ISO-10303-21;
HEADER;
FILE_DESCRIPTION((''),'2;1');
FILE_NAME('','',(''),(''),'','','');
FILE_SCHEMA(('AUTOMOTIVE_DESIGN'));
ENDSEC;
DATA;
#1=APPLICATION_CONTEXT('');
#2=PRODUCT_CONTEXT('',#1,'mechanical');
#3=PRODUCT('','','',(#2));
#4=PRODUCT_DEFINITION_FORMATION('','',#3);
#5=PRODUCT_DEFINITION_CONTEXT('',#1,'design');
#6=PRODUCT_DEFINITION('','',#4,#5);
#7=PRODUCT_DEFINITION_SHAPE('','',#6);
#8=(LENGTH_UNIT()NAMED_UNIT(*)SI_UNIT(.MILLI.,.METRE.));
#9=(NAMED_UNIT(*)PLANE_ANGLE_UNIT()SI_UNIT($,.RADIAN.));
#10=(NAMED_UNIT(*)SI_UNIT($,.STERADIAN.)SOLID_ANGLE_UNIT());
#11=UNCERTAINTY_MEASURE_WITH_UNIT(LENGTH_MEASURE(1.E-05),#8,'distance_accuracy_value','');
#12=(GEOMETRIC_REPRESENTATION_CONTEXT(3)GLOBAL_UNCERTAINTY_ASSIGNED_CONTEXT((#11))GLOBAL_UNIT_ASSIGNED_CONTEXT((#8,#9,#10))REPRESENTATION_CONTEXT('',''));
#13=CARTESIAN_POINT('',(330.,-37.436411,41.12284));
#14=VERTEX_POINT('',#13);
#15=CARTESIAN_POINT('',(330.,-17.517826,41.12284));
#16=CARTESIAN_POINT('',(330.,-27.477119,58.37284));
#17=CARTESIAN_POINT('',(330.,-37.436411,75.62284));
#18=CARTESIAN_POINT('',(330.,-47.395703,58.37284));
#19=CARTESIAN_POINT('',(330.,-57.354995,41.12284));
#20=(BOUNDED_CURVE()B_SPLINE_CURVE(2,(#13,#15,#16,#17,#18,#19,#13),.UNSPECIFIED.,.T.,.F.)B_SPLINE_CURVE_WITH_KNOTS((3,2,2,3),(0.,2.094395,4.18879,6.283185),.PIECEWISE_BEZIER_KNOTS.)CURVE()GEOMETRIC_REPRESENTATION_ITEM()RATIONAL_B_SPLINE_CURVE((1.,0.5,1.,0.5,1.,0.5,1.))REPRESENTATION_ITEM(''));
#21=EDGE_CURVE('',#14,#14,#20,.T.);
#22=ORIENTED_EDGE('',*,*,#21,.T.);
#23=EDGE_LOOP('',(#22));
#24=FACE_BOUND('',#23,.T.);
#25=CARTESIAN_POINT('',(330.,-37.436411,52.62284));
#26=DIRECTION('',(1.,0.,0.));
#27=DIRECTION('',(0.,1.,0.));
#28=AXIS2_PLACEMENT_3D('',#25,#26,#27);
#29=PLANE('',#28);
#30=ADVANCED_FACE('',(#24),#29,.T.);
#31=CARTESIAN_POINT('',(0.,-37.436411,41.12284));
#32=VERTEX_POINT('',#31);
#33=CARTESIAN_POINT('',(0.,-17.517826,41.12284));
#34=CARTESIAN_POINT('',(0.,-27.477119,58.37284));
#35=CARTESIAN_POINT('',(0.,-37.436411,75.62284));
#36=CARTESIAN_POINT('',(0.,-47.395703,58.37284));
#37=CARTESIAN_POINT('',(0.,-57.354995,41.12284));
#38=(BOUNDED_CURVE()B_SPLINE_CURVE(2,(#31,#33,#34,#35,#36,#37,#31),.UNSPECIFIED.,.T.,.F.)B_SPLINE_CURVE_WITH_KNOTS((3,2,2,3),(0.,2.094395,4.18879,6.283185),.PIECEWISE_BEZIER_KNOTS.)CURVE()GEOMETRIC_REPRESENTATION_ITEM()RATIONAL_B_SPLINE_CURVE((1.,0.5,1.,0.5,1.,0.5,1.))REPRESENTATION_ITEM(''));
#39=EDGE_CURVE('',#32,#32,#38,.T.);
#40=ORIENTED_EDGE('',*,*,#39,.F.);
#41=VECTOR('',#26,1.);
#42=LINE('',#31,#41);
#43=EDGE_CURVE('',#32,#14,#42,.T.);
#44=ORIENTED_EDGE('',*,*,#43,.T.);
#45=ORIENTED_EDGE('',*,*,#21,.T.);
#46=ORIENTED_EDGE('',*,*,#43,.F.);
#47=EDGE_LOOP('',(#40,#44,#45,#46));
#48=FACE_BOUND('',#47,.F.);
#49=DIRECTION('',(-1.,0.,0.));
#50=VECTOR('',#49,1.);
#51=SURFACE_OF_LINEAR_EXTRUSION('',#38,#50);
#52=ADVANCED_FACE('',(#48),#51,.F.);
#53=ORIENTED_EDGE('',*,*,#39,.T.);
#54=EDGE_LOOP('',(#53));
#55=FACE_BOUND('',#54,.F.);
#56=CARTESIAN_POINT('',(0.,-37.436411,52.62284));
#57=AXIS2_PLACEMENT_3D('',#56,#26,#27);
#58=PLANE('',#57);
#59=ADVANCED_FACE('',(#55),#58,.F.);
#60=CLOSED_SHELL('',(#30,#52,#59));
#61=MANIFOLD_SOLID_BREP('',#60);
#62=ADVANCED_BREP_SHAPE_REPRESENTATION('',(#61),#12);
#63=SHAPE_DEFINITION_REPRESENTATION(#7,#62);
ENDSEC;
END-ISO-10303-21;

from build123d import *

# Parameters (mm, degrees)
F1_DEPTH = 330


with BuildPart() as f1:
    # F0 (on Right) → F1 (new body)
    with BuildSketch(Plane.YZ):
        with BuildLine():
            add(Edge.make_bspline(
                [(-37.436411, 41.12284), (-17.517826, 41.12284), (-27.477119, 58.37284), (-37.436411, 75.62284), (-47.395703, 58.37284), (-57.354995, 41.12284), (-37.436411, 41.12284)],
                knots=[0, 0, 0, 2.094395, 2.094395, 4.18879, 4.18879, 6.283185, 6.283185, 6.283185], degree=2, weights=[1, 0.5, 1, 0.5, 1, 0.5, 1]))
        make_face()
    extrude(amount=F1_DEPTH)


solid = f1.part
